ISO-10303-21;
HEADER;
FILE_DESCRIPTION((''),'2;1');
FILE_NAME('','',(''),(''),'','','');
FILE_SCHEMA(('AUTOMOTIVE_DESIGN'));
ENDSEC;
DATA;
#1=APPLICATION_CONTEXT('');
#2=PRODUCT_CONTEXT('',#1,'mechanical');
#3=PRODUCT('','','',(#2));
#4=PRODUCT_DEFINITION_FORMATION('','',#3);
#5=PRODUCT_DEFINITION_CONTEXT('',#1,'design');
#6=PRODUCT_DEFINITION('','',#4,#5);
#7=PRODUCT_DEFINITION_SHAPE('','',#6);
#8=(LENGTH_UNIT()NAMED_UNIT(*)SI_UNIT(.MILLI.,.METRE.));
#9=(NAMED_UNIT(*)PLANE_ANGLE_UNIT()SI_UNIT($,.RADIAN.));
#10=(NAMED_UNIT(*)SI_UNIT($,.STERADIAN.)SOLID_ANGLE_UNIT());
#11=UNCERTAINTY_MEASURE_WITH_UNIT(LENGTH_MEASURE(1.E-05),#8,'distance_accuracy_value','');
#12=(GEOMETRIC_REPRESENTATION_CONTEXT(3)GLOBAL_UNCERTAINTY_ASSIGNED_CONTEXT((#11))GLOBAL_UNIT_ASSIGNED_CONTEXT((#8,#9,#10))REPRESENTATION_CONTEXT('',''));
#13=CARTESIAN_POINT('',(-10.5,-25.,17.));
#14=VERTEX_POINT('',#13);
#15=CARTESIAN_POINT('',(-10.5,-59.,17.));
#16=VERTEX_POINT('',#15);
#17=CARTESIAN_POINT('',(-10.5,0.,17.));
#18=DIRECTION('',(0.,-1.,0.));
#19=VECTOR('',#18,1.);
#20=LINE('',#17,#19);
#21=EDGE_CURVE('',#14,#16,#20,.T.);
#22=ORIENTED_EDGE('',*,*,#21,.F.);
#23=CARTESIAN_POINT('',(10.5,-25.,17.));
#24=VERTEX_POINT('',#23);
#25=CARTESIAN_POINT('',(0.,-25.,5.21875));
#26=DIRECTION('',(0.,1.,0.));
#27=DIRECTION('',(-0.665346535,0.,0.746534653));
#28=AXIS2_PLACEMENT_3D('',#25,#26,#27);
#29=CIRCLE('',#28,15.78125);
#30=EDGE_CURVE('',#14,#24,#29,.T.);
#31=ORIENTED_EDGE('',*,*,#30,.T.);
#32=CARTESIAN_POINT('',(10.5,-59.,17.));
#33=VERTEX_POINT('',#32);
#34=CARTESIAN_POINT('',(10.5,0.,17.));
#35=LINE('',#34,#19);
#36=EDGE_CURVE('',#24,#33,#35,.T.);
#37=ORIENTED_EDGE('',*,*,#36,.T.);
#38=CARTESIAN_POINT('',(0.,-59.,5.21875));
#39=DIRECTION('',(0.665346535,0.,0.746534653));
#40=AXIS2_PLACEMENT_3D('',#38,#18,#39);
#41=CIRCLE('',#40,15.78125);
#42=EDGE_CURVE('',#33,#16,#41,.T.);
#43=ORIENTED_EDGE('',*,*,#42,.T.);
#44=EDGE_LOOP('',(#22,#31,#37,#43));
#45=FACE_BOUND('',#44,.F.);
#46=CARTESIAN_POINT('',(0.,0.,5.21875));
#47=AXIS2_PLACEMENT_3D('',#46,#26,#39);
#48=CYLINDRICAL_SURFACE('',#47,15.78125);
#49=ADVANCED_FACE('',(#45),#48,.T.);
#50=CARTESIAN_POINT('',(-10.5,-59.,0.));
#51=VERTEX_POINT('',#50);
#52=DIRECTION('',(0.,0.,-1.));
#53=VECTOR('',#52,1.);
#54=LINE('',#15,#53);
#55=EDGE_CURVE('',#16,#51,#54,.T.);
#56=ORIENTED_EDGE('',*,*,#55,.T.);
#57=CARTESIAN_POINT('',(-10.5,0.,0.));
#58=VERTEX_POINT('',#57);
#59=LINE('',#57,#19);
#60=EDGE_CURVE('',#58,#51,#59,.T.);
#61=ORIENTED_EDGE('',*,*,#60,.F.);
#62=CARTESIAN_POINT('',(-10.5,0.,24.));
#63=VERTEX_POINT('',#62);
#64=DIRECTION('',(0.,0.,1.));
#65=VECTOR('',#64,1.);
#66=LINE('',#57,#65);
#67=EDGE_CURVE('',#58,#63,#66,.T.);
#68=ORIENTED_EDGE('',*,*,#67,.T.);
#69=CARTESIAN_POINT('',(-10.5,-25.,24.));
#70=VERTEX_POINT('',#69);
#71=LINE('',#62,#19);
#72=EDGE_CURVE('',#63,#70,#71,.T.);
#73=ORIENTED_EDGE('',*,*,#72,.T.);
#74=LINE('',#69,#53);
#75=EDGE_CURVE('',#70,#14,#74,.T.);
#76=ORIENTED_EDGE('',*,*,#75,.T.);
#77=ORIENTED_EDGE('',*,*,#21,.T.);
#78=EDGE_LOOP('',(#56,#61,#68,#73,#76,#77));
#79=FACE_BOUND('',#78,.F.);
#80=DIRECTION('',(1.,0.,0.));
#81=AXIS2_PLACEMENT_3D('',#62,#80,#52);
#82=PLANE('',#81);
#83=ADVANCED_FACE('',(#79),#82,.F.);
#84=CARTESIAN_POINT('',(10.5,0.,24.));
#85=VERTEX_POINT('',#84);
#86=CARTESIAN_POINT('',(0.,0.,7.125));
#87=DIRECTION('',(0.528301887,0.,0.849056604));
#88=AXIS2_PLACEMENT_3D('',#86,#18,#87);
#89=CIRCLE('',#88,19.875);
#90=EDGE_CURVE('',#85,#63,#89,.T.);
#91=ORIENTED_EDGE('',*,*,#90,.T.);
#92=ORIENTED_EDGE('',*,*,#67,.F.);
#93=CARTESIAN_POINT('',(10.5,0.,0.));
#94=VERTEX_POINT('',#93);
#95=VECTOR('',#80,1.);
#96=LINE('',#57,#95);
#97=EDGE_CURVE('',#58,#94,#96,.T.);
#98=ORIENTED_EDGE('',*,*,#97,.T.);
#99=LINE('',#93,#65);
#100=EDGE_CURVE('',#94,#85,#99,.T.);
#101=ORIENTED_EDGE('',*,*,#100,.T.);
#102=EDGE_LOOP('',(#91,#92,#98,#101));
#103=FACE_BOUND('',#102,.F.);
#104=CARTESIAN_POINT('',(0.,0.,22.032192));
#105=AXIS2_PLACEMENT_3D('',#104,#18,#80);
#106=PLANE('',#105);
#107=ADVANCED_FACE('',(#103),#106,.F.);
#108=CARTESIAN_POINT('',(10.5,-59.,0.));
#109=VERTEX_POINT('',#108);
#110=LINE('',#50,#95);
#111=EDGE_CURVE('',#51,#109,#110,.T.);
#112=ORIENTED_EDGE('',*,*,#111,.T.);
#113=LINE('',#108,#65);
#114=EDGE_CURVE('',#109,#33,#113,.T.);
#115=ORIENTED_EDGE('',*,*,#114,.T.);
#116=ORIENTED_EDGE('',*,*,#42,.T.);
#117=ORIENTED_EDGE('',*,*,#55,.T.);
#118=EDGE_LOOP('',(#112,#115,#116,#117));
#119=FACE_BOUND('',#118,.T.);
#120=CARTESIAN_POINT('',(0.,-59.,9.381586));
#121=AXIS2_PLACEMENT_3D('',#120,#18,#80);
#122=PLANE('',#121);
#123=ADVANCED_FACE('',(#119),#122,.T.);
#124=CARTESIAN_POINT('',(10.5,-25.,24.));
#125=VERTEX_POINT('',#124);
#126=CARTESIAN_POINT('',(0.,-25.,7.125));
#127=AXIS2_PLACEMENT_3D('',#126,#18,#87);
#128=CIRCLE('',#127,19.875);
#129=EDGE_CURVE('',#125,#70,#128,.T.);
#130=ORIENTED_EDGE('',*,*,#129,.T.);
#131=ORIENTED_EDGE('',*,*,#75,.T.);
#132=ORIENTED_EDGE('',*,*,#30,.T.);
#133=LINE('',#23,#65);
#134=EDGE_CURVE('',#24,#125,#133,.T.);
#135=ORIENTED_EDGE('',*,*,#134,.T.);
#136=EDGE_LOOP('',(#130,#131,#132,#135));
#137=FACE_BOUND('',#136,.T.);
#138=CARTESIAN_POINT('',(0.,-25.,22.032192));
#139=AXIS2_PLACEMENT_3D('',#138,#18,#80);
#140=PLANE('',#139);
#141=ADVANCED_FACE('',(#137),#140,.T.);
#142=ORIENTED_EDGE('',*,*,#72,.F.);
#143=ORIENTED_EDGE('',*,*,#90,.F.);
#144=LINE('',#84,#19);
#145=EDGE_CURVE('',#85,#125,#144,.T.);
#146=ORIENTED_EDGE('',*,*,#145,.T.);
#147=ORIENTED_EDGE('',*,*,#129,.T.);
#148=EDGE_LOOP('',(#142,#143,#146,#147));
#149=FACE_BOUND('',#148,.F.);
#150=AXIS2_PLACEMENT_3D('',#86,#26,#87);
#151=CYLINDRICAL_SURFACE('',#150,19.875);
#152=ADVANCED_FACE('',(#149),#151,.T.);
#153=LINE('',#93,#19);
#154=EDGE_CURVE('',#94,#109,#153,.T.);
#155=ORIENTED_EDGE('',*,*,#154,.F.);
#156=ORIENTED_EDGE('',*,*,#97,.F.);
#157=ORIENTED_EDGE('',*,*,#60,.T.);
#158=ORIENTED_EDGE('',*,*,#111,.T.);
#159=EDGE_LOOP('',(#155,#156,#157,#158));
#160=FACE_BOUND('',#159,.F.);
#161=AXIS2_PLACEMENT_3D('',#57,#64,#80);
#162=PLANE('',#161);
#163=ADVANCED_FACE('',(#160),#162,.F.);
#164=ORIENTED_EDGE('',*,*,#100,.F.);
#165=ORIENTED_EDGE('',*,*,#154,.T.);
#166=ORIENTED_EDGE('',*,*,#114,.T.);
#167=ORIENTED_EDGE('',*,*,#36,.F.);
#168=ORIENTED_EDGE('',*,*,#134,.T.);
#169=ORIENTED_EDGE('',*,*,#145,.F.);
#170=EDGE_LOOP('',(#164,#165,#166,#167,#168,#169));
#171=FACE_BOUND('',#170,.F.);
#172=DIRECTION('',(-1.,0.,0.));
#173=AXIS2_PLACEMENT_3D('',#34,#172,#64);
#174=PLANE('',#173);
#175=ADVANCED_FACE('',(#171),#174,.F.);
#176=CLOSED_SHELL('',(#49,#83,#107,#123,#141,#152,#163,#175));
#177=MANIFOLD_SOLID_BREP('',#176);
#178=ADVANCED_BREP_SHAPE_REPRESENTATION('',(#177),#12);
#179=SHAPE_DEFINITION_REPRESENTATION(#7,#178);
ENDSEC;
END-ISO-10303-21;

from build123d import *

# Parameters (mm, degrees)
F1_DEPTH = 59
F2_DEPTH = 25


with BuildPart() as f1:
    # F0 (on Front) → F1 (new body)
    with BuildSketch(Plane.XZ):
        with BuildLine():
            Line((-10.5, 0), (10.5, 0))
            Line((10.5, 0), (10.5, 17))
            ThreePointArc((10.5, 17), (0, 21), (-10.5, 17))
            Line((-10.5, 17), (-10.5, 0))
        make_face()
    extrude(amount=F1_DEPTH)

    # F0 (on Front) → F2 (join)
    with BuildSketch(Plane.XZ):
        with BuildLine():
            ThreePointArc((-10.5, 17), (0, 21), (10.5, 17))
            Line((10.5, 17), (10.5, 24))
            ThreePointArc((10.5, 24), (0, 27), (-10.5, 24))
            Line((-10.5, 24), (-10.5, 17))
        make_face()
    extrude(amount=F2_DEPTH)


solid = f1.part
